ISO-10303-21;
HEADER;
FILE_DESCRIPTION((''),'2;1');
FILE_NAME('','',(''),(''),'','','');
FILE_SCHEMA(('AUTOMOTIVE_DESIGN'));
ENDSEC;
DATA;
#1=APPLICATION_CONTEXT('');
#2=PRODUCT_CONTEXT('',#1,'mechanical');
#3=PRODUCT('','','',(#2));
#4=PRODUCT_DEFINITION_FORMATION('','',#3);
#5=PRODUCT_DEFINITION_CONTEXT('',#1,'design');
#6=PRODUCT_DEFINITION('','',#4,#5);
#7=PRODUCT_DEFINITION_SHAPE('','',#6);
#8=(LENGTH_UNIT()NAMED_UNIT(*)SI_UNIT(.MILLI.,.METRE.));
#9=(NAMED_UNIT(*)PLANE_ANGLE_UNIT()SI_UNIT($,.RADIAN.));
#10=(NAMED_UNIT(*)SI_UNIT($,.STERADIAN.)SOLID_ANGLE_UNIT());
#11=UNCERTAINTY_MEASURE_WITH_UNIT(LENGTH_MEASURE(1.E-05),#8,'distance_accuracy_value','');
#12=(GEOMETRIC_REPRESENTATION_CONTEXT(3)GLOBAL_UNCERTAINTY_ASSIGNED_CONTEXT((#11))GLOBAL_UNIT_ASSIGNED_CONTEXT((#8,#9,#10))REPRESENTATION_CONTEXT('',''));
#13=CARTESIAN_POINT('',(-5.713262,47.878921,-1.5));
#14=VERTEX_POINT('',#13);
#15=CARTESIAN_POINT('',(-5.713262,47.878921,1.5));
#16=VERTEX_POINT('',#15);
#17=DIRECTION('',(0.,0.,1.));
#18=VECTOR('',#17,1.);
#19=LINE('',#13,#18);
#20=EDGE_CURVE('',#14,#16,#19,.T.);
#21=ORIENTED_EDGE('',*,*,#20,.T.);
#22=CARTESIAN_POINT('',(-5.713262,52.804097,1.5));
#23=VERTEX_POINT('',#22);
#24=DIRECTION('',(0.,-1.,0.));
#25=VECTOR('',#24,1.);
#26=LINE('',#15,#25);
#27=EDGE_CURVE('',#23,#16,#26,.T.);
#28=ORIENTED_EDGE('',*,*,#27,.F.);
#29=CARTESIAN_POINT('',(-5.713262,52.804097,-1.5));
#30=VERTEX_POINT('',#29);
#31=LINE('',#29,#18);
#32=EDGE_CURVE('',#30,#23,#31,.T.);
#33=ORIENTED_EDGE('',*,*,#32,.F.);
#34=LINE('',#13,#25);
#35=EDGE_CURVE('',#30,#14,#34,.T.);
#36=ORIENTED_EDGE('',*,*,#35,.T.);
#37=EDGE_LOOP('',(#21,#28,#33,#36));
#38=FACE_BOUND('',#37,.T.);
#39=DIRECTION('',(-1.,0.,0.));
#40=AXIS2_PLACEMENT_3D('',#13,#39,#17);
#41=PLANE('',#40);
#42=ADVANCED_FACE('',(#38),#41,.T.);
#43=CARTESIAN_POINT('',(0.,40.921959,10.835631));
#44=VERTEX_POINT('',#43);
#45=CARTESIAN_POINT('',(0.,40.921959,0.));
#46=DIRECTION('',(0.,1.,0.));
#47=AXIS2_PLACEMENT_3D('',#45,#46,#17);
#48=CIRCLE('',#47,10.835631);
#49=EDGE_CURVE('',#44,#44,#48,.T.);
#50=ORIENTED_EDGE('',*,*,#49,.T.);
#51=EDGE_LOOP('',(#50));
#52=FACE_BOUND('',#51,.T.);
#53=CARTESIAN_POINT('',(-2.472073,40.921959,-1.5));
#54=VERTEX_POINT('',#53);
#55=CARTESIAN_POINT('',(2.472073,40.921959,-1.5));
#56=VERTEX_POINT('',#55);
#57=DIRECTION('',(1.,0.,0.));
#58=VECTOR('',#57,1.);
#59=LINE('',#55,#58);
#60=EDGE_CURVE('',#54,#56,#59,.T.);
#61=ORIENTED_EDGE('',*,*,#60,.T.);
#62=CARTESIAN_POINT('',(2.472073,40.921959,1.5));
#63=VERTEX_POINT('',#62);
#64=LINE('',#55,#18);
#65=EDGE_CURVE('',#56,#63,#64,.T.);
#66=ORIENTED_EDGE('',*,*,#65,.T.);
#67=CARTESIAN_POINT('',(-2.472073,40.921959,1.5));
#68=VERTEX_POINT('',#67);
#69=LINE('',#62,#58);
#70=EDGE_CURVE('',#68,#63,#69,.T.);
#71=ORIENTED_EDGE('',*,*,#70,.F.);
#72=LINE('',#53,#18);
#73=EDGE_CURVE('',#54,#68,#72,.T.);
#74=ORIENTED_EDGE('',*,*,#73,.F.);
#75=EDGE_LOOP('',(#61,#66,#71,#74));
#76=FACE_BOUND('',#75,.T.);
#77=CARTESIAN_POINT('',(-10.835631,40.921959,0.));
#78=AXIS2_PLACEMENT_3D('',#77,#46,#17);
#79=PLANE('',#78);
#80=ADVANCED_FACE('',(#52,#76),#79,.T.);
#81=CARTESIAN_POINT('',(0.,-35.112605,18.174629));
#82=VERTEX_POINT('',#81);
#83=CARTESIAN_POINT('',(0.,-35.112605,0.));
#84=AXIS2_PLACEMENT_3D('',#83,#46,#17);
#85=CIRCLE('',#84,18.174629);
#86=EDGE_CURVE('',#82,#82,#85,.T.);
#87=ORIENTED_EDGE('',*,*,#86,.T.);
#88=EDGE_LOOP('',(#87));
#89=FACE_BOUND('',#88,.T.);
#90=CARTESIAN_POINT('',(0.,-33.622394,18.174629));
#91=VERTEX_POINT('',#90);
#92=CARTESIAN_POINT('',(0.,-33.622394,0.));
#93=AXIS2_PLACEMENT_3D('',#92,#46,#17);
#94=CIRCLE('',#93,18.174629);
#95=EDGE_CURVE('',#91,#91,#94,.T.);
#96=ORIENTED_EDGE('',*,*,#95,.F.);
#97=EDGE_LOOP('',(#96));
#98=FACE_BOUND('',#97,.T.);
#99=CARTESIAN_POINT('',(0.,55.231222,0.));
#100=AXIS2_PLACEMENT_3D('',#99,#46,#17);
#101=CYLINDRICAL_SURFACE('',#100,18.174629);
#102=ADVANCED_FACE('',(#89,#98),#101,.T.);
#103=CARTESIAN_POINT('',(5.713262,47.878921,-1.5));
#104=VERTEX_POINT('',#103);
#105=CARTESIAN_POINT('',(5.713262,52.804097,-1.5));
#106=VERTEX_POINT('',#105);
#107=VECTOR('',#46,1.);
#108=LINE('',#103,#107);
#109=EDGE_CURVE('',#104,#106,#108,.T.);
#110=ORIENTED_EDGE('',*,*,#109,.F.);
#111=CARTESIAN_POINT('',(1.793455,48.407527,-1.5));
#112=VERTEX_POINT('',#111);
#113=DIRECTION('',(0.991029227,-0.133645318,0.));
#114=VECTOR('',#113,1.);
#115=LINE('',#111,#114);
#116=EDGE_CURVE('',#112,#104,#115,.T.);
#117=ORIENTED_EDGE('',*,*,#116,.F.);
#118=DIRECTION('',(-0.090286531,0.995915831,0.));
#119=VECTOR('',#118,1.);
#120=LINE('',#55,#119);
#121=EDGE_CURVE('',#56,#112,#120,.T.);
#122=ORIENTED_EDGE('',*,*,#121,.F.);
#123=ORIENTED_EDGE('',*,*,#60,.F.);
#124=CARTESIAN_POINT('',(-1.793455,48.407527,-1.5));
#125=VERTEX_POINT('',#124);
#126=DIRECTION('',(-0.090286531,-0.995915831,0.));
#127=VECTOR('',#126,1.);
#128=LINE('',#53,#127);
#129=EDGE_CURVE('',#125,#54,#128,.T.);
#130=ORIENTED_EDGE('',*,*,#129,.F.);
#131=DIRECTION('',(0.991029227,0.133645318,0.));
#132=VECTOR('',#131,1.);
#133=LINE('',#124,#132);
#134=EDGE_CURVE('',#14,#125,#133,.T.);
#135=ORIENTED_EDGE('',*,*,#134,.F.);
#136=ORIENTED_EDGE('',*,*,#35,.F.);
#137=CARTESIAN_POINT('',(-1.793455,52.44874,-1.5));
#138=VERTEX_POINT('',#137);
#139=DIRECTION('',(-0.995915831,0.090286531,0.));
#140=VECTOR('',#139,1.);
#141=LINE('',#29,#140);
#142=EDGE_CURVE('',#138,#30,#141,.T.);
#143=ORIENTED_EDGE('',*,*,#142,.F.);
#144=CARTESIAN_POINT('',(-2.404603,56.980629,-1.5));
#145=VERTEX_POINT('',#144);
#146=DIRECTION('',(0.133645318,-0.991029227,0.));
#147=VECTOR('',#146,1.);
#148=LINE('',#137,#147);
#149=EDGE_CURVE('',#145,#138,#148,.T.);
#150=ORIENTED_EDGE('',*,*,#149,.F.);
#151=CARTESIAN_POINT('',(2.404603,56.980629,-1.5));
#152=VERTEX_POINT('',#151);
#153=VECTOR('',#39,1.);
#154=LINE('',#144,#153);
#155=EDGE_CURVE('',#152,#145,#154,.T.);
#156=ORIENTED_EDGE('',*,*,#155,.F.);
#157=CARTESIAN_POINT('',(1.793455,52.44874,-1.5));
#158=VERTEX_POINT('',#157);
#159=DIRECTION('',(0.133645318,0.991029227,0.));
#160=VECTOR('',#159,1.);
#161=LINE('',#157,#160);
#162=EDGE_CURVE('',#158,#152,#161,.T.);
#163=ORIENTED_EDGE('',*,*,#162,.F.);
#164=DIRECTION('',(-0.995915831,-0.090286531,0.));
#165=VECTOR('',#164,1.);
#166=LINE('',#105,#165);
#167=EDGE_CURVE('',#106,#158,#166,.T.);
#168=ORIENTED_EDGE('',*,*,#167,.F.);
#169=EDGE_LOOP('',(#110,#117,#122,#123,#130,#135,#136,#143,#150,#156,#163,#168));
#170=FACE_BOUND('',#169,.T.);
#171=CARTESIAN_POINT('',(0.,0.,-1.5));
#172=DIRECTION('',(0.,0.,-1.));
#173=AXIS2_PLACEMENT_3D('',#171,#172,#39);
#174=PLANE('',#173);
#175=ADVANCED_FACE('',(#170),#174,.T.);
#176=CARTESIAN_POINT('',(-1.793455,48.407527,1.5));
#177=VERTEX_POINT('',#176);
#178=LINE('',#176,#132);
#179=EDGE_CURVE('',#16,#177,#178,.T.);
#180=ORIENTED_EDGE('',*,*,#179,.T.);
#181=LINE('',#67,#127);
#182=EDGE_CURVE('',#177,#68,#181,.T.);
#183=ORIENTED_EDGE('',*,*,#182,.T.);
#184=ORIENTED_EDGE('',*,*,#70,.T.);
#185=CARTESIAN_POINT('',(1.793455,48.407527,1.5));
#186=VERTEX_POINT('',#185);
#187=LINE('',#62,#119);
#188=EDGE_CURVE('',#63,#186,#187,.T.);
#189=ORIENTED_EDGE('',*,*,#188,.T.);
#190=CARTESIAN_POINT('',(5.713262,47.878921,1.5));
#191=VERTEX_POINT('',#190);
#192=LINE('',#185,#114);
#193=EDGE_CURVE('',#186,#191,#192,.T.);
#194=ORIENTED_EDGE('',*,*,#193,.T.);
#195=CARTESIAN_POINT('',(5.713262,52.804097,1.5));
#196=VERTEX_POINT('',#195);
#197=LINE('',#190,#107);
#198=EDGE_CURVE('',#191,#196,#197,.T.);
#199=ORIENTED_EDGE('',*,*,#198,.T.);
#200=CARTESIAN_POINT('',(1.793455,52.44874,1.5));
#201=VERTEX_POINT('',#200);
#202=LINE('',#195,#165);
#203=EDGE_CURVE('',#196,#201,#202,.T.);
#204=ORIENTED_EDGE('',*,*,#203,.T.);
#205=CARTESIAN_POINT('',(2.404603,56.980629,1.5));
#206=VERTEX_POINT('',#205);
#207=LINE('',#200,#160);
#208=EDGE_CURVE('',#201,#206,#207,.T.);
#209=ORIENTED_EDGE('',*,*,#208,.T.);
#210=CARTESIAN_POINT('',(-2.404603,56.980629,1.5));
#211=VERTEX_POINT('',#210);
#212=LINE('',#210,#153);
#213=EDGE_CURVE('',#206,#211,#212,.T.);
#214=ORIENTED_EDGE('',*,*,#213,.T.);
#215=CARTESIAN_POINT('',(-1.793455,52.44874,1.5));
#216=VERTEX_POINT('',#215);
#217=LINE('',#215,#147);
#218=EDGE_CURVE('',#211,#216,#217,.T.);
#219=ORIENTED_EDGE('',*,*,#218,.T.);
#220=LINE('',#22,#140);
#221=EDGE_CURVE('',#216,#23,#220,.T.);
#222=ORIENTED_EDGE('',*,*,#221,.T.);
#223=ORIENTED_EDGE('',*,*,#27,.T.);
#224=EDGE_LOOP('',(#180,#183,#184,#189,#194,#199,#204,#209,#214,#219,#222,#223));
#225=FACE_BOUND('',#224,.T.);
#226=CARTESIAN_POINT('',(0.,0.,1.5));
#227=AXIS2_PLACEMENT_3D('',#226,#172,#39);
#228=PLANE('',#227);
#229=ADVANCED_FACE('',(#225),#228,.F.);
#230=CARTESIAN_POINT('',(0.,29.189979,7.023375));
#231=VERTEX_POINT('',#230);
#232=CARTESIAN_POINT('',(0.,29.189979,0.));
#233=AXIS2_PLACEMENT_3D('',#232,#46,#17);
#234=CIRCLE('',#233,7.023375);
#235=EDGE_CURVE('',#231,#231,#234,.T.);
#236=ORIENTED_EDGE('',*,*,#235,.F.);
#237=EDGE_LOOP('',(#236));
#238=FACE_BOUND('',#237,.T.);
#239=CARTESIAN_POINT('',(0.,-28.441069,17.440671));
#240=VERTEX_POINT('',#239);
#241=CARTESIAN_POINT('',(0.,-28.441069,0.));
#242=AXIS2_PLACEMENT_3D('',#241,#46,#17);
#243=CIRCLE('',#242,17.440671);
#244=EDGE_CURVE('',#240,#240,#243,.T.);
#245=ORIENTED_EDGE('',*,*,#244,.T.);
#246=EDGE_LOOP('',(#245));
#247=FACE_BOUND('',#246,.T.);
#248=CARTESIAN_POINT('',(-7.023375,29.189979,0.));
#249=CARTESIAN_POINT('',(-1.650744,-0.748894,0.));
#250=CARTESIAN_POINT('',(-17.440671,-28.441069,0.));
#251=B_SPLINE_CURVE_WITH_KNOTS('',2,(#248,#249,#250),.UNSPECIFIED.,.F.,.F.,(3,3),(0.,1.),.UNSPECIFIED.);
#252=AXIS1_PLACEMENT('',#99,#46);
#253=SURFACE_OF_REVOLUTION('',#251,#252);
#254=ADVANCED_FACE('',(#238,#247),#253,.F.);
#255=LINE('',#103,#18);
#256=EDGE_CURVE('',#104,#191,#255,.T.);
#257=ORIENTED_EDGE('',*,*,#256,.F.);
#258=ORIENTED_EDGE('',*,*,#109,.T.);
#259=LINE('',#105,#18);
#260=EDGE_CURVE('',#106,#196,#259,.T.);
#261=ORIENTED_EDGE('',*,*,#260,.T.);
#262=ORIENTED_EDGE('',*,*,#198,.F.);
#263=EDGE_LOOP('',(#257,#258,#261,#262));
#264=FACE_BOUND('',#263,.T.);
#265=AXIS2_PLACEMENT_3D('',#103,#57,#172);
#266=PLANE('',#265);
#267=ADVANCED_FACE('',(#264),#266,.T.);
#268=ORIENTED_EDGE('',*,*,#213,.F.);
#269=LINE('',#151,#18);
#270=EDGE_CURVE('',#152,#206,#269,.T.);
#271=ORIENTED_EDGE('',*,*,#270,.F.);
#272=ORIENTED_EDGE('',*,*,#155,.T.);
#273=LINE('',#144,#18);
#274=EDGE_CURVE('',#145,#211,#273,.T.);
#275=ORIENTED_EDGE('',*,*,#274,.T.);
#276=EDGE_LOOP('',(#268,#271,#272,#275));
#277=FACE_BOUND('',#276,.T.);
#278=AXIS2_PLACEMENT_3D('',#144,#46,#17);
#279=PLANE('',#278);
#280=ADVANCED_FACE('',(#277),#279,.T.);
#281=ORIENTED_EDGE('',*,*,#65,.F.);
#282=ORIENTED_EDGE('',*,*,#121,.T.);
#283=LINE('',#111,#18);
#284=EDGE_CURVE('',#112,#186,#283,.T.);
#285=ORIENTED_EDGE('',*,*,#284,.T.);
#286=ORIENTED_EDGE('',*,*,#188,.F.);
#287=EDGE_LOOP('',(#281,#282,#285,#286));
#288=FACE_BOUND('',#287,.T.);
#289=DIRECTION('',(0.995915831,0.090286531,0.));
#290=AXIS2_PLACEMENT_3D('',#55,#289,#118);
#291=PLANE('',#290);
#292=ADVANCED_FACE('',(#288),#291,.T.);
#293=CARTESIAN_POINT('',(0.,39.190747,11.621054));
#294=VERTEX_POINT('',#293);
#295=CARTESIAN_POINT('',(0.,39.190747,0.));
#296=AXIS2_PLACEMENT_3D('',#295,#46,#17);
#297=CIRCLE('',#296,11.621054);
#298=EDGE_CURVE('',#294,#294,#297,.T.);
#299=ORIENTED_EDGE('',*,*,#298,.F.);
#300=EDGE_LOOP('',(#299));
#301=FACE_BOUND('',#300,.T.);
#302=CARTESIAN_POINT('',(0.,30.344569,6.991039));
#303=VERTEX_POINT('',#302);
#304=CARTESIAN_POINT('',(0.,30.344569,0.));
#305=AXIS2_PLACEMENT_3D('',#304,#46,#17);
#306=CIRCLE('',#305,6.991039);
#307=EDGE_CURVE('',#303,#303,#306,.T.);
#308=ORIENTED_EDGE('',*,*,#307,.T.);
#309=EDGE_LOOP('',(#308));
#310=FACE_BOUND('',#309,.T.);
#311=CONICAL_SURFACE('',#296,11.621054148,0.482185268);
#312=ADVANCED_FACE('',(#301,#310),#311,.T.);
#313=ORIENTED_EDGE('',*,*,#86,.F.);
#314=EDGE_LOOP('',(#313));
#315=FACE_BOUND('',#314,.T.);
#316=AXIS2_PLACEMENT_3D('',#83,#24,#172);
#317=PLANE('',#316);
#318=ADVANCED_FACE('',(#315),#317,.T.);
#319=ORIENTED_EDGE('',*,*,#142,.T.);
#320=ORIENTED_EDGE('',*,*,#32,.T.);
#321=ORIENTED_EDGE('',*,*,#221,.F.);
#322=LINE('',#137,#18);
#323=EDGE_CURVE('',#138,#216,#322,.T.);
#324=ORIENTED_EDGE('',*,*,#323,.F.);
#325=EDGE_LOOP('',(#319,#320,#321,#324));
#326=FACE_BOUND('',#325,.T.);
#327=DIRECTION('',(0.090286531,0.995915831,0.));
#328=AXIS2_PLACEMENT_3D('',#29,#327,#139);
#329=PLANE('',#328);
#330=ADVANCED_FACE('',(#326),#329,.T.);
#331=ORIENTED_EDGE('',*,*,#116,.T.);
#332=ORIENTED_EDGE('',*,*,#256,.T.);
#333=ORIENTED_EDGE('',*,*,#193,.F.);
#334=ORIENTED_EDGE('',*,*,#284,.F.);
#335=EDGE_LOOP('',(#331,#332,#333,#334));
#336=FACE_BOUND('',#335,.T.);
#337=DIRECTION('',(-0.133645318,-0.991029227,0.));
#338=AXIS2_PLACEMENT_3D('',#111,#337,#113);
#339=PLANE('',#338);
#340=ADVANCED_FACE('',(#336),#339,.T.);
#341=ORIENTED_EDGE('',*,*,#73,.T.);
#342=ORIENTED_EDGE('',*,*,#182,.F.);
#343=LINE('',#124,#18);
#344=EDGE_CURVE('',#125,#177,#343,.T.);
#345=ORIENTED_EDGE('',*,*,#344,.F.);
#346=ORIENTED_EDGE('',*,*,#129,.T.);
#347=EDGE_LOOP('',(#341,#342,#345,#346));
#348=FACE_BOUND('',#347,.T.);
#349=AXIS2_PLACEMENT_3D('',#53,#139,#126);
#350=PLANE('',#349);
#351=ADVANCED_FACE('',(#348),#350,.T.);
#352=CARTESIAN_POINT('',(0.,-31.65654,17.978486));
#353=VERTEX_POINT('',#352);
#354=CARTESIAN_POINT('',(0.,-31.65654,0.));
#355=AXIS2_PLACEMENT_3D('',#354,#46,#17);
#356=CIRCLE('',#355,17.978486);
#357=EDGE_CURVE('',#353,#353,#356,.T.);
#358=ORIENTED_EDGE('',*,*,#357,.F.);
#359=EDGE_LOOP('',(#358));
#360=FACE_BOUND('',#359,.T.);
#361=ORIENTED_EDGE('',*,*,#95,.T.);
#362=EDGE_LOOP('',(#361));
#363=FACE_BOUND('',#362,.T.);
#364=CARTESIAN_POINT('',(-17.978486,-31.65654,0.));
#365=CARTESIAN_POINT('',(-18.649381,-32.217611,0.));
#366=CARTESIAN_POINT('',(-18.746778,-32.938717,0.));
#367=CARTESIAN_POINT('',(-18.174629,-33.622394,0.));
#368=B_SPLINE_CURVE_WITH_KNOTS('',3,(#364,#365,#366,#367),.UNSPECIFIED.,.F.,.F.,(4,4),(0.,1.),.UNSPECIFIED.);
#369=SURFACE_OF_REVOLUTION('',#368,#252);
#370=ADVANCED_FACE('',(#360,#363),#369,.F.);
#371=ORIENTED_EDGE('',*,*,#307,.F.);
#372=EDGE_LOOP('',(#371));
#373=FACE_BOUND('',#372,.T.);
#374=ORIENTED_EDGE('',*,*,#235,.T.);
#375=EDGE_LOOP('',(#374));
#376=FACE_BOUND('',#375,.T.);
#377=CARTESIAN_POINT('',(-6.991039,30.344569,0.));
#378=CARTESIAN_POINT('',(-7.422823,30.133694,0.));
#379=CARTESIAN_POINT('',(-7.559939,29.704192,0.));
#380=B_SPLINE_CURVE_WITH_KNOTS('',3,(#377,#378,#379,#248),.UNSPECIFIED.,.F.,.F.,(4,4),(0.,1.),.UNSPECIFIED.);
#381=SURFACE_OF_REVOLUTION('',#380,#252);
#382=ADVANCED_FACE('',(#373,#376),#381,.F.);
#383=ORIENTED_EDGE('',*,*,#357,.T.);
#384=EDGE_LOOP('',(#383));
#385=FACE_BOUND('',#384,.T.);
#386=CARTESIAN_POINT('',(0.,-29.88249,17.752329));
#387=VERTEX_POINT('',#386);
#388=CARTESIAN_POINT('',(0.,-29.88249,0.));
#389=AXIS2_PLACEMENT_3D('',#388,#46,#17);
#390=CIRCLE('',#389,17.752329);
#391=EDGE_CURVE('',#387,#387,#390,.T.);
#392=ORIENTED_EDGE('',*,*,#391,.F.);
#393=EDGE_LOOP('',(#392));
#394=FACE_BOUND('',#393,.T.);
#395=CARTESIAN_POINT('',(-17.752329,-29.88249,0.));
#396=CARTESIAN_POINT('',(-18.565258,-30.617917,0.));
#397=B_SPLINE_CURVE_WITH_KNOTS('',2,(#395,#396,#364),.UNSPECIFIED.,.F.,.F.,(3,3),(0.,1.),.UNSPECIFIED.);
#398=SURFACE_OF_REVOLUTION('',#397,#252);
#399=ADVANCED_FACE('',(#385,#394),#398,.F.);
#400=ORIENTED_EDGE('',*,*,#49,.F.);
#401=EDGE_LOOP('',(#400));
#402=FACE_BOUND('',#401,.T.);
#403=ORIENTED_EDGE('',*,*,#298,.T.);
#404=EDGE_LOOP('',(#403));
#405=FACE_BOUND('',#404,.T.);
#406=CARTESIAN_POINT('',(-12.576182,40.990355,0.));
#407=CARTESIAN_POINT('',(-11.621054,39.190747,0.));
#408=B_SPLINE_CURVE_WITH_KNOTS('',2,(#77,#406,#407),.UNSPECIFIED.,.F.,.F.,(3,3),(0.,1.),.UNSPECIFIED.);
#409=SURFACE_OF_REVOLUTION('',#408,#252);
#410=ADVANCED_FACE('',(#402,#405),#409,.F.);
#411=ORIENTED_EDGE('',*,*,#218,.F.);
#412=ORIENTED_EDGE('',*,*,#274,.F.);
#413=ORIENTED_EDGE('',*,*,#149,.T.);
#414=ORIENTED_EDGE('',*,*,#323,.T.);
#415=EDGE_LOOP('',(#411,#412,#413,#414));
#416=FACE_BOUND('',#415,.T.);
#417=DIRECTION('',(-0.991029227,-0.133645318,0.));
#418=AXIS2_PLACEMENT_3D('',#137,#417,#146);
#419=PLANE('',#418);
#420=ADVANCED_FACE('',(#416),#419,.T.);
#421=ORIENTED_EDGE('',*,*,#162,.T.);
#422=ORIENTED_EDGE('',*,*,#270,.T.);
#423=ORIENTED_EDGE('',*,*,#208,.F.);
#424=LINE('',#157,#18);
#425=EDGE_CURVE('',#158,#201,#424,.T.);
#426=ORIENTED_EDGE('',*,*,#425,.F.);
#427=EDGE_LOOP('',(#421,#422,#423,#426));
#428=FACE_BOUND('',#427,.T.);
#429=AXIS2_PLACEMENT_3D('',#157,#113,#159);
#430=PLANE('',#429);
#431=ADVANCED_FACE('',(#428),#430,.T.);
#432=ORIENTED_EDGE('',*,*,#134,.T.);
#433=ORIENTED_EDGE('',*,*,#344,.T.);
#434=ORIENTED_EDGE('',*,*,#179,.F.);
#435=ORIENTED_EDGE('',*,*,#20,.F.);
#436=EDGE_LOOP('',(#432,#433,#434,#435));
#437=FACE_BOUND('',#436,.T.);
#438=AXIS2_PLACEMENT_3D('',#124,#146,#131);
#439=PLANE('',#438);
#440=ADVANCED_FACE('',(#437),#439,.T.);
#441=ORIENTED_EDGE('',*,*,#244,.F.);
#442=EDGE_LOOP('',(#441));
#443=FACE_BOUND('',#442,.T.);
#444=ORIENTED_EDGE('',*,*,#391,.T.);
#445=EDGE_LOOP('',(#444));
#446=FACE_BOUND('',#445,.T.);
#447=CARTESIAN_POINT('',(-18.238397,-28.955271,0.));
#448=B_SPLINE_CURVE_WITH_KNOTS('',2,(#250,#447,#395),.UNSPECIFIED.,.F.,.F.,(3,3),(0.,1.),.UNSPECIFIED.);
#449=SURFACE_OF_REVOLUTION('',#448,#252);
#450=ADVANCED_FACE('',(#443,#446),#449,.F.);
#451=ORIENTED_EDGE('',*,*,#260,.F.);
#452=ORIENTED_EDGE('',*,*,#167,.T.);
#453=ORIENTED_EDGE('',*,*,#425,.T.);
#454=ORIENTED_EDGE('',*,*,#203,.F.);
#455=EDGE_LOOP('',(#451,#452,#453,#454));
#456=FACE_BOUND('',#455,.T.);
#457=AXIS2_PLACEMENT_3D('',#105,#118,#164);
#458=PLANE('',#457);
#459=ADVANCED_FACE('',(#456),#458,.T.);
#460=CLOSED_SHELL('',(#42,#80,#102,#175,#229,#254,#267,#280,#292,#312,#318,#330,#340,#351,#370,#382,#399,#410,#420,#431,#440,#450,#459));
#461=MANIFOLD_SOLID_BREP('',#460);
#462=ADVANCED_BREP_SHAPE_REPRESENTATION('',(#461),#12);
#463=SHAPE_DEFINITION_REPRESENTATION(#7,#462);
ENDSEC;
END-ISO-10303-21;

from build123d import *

# Parameters (mm, degrees)
BOSS_EXTRUDE1_DEPTH      = 1.5
BOSS_EXTRUDE1_DEPTH_BACK = 1.5


with BuildPart() as part:
    # Body → Revolve2 (revolve)
    with BuildSketch(Plane.XY):
        with BuildLine():
            Line((0, -35.112605452), (-18.174629027, -35.112605452))
            Line((-18.174629027, -35.112605452), (-18.174629027, -33.622393907))
            add(Edge.make_bspline(
                [(-18.174629027, -33.622393907), (-18.746777836, -32.93871692), (-18.649381124, -32.21761099), (-17.978486488, -31.656539775)],
                knots=[0, 0, 0, 0, 1, 1, 1, 1], degree=3))
            add(Edge.make_bspline(
                [(-17.978486488, -31.656539775), (-18.565257788, -30.617916679), (-17.752329486, -29.882490381)],
                knots=[0, 0, 0, 1, 1, 1], degree=2))
            add(Edge.make_bspline(
                [(-17.752329486, -29.882490381), (-18.238397249, -28.955270963), (-17.440670859, -28.44106923)],
                knots=[0, 0, 0, 1, 1, 1], degree=2))
            add(Edge.make_bspline(
                [(-17.440670859, -28.44106923), (-1.650744274, -0.748893793), (-7.023375291, 29.189979279)],
                knots=[0, 0, 0, 1, 1, 1], degree=2))
            add(Edge.make_bspline(
                [(-7.023375291, 29.189979279), (-7.559938915, 29.704191997), (-7.422823029, 30.133693737), (-6.991039479, 30.344569347)],
                knots=[0, 0, 0, 0, 1, 1, 1, 1], degree=3))
            Line((-6.991039479, 30.344569347), (-11.621054148, 39.190746791))
            add(Edge.make_bspline(
                [(-11.621054148, 39.190746791), (-12.576182421, 40.990355328), (-10.835631062, 40.921958778)],
                knots=[0, 0, 0, 1, 1, 1], degree=2))
            Line((-10.835631062, 40.921958778), (0, 40.921958778))
            Line((0, 40.921958778), (0, -35.112605452))
        make_face()
    revolve(axis=Axis((0, 55.231222452, 0), (0, -1, 0)))

    # Head → Boss-Extrude1 (add, two sides: drawn at the far end of the back side and taken through both)
    with BuildSketch(Plane.XY.offset(-BOSS_EXTRUDE1_DEPTH_BACK)):
        Polygon((2.472072564, 40.921958778), (-2.472072564, 40.921958778), (-1.793454985, 48.407527059), (-5.713262358, 47.878921151), (-5.713262358, 52.804097239), (-1.793454985, 52.448740091), (-2.404603177, 56.980628878), (2.404603177, 56.980628878), (1.793454985, 52.448740091), (5.713262358, 52.804097239), (5.713262358, 47.878921151), (1.793454985, 48.407527059), align=None)
    extrude(amount=BOSS_EXTRUDE1_DEPTH + BOSS_EXTRUDE1_DEPTH_BACK)


solid = part.part
